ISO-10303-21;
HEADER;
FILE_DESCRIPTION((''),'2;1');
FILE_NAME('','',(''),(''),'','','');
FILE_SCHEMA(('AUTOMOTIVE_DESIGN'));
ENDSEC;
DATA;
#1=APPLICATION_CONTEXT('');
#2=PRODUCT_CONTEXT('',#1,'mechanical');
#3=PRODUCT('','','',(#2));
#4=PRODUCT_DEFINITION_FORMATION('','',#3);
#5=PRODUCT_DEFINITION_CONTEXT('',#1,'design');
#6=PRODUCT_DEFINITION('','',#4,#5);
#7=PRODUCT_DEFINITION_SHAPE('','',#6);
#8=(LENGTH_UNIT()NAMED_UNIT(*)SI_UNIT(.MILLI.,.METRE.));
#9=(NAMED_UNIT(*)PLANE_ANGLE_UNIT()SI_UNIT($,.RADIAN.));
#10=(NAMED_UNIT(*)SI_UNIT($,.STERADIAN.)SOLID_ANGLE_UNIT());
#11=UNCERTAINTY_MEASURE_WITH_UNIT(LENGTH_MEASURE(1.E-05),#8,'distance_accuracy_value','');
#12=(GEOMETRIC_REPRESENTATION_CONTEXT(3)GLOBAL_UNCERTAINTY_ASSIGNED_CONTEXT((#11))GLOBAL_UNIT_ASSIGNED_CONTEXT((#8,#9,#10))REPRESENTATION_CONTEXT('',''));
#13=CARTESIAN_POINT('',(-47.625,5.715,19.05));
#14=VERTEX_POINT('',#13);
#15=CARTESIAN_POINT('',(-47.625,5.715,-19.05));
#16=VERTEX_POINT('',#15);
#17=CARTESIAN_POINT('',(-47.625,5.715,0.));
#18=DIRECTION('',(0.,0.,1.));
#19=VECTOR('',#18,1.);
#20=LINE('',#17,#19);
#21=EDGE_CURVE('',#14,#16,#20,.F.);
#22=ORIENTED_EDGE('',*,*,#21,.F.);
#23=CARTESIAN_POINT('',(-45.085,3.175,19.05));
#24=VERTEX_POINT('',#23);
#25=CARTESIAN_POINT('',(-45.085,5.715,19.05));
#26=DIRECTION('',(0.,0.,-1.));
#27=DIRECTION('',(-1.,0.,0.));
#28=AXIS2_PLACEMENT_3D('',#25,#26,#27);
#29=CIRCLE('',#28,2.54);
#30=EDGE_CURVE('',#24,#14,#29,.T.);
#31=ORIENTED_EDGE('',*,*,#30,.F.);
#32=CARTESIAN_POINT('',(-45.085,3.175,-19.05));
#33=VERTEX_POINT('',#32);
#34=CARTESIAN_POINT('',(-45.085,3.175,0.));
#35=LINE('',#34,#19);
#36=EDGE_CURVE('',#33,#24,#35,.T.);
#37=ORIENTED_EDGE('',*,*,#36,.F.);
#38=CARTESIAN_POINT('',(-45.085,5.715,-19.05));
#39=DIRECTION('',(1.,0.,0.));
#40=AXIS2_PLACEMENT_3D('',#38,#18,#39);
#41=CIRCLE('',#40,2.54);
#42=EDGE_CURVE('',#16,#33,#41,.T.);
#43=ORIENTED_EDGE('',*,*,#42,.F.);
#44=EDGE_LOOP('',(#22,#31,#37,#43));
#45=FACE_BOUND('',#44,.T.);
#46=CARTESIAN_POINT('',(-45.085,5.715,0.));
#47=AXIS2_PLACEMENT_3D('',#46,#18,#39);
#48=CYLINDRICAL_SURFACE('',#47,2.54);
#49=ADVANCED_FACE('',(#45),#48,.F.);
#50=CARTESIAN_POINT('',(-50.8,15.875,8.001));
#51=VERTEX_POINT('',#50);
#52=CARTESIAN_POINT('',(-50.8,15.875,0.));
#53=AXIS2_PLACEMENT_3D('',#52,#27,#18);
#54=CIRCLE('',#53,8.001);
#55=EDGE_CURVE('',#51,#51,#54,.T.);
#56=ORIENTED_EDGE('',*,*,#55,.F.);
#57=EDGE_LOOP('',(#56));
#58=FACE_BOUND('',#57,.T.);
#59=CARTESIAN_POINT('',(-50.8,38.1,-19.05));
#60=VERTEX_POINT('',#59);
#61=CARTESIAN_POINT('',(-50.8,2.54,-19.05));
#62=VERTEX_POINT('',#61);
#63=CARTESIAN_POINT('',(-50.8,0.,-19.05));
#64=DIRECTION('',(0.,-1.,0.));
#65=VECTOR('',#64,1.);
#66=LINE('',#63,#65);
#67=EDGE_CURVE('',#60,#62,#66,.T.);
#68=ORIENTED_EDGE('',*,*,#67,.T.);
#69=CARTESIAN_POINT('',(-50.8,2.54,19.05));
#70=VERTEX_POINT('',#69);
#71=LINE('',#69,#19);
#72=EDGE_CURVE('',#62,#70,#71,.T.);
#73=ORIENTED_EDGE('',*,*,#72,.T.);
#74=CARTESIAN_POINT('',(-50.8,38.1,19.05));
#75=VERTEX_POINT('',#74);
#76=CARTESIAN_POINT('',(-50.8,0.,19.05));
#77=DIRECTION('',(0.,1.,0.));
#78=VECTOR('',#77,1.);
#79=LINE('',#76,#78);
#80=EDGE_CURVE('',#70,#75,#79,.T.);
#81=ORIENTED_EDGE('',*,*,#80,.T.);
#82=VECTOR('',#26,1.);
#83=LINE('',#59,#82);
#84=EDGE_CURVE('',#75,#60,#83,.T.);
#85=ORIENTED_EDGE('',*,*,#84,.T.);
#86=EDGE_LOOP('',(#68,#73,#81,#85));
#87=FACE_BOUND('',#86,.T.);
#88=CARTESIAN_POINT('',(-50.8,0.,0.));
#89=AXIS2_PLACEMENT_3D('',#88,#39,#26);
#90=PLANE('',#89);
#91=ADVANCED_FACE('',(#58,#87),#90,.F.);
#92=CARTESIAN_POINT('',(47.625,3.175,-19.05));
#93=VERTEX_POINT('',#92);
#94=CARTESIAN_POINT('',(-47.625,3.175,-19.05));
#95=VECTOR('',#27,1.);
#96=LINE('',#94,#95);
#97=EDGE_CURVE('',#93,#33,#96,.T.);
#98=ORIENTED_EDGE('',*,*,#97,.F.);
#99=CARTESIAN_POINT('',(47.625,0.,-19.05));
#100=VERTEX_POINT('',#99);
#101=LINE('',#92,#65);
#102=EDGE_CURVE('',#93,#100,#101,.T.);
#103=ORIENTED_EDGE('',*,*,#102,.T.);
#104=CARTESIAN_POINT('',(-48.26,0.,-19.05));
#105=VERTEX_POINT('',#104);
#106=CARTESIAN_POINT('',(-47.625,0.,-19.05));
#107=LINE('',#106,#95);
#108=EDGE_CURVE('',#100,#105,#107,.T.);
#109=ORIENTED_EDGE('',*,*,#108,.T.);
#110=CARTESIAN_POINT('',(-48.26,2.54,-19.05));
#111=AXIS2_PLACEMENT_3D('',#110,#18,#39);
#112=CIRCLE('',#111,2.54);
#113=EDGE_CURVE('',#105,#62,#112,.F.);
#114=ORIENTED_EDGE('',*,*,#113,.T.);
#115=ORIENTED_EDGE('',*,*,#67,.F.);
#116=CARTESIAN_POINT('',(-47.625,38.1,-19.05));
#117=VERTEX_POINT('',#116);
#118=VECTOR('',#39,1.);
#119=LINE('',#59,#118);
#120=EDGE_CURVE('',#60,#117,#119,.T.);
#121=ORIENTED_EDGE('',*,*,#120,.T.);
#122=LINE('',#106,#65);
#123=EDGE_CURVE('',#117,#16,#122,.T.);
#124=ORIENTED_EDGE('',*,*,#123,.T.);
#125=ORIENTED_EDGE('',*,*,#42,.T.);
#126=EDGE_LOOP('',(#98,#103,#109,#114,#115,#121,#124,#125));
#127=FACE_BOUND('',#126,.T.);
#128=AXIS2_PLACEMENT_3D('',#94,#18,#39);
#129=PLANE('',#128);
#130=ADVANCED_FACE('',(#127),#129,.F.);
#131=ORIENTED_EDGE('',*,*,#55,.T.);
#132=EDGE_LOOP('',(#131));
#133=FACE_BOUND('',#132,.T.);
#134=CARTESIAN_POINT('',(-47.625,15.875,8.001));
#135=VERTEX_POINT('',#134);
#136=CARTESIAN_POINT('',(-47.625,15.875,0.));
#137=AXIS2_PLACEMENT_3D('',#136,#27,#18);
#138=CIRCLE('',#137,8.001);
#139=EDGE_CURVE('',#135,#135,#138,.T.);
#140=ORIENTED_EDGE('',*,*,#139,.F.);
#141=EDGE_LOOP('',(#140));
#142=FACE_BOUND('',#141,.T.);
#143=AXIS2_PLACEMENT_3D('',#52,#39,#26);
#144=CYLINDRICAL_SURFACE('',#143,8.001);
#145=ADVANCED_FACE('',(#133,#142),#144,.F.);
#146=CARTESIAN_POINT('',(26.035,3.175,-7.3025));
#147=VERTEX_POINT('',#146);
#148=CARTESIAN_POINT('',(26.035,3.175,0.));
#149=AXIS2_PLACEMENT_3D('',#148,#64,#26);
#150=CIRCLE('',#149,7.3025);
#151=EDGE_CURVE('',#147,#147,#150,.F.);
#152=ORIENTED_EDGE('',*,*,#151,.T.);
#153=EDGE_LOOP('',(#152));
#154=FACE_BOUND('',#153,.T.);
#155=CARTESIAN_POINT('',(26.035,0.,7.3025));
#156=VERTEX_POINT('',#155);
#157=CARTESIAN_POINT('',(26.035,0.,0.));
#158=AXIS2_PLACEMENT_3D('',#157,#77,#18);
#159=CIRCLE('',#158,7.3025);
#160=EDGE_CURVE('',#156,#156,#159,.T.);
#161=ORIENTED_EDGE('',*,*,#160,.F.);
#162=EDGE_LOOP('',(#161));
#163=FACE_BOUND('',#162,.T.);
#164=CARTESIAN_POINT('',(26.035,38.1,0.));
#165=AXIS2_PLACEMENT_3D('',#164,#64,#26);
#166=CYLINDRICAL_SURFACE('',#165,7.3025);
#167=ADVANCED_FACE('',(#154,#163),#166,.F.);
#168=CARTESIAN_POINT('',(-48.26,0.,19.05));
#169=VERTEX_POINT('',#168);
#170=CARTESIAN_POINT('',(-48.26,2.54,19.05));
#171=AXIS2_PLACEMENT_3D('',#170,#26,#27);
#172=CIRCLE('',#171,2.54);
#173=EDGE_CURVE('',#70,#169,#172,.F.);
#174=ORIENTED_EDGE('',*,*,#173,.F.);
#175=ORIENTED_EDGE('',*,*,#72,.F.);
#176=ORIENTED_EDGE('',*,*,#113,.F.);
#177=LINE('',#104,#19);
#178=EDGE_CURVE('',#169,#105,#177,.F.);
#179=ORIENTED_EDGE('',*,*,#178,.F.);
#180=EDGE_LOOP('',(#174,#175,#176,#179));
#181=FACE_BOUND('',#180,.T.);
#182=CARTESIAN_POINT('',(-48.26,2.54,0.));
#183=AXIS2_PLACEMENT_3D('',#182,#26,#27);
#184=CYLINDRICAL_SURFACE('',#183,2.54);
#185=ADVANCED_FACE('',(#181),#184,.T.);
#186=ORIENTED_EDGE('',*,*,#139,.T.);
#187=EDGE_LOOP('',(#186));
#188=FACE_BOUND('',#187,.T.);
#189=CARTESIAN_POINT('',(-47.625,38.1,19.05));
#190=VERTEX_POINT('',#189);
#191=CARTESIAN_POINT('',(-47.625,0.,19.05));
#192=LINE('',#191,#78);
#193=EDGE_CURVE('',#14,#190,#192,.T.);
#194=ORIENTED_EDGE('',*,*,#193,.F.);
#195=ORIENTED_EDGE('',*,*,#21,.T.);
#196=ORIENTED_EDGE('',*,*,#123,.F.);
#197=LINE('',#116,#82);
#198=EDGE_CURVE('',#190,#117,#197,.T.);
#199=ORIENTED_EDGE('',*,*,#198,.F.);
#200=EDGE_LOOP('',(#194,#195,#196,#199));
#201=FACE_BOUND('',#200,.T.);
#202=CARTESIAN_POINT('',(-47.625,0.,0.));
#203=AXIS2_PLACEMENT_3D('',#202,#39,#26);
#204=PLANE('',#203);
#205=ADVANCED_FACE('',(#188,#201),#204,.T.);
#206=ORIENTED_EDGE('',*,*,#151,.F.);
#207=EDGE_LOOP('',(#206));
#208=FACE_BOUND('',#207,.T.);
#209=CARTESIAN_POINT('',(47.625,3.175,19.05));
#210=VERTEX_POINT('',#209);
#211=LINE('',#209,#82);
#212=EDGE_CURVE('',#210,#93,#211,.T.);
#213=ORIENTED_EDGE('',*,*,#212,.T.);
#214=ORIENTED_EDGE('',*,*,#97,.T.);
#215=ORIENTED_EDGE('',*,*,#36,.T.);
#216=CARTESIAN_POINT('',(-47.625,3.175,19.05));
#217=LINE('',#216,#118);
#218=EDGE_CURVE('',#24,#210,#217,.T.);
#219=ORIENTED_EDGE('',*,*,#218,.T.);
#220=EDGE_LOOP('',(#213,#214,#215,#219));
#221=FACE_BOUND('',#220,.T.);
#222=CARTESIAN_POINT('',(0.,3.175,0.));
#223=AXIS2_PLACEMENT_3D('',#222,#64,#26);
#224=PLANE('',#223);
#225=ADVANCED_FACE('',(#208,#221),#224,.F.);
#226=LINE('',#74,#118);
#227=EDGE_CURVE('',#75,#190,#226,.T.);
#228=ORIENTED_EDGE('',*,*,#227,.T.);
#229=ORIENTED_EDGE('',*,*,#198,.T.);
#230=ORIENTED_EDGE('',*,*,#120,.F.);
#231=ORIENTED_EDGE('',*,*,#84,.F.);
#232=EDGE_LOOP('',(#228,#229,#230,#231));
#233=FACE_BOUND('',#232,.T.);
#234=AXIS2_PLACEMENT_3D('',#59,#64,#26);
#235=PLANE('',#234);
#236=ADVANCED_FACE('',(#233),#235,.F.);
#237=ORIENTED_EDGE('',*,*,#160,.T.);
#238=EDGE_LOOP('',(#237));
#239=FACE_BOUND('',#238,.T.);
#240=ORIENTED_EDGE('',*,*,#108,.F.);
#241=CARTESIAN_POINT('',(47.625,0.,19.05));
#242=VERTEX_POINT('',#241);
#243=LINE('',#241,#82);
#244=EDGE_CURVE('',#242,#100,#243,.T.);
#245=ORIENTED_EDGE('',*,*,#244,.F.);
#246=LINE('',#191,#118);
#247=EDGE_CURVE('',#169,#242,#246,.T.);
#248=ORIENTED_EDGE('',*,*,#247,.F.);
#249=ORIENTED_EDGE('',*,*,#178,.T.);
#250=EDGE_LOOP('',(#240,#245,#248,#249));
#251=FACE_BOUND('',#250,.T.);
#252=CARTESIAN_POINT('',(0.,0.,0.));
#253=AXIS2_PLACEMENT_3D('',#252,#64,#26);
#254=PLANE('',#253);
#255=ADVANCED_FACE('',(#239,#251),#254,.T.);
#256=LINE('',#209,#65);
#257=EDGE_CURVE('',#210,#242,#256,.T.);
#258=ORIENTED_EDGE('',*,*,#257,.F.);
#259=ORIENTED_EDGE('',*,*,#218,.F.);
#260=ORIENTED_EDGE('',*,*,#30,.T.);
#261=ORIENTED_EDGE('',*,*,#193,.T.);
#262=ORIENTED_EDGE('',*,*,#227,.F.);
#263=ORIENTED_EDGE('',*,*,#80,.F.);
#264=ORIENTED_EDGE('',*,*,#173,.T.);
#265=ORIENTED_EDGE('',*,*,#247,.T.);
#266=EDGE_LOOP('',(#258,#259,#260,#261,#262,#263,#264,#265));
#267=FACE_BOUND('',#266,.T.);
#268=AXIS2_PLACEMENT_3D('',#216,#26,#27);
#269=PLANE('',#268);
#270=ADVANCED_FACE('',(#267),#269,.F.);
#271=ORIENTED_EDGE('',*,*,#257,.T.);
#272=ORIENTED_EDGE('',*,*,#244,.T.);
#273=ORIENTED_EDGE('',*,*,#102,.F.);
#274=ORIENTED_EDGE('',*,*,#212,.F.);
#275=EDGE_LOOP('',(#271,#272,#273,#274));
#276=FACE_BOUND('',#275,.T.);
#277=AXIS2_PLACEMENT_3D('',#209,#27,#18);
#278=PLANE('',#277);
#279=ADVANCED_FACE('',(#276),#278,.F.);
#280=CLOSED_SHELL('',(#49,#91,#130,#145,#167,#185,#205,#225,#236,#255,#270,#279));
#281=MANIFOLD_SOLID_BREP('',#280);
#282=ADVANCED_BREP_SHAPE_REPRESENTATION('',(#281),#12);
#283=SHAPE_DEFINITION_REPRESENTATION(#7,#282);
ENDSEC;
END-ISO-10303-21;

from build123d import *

# Parameters (mm, degrees)
SKETCH1_W           = 95.25
SKETCH1_H           = 38.1
BOSS_EXTRUDE1_DEPTH = 3.175
SKETCH2_W           = 38.1
SKETCH2_H           = 38.1
BOSS_EXTRUDE2_DEPTH = 3.175
SKETCH3_R           = 7.3025
CUT_EXTRUDE2_DEPTH  = 39.1
SKETCH4_R           = 8.001
CUT_EXTRUDE3_DEPTH  = 4.175
FILLET1_R           = 2.54


with BuildPart() as part:
    # Sketch1 → Boss-Extrude1 (new body)
    with BuildSketch(Plane(origin=(0, 0, 0), x_dir=(1, 0, 0), z_dir=(0, 1, 0))):
        Rectangle(SKETCH1_W, SKETCH1_H)
    extrude(amount=BOSS_EXTRUDE1_DEPTH)

    # Sketch2 → Boss-Extrude2 (add)
    with BuildSketch(Plane.ZY.offset(47.625)):
        with Locations((0, 19.05)):
            Rectangle(SKETCH2_W, SKETCH2_H)
    extrude(amount=BOSS_EXTRUDE2_DEPTH)

    # Sketch3 → Cut-Extrude2 (cut, through all)
    with BuildSketch(Plane(origin=(0, 0, 0), x_dir=(1, 0, 0), z_dir=(0, 1, 0))):
        with Locations((26.035, 0)):
            Circle(SKETCH3_R)
    extrude(amount=CUT_EXTRUDE2_DEPTH, mode=Mode.SUBTRACT)

    # Sketch4 → Cut-Extrude3 (cut, through all)
    with BuildSketch(Plane.ZY.offset(47.625)):
        with Locations((0, 15.875)):
            Circle(SKETCH4_R)
    extrude(amount=CUT_EXTRUDE3_DEPTH, mode=Mode.SUBTRACT)

    # Fillet1
    fillet1_edges = [part.edges().sort_by_distance(p)[0] for p in [
        (-47.625, 3.175, 0),
        (-50.8, 0, 0),
    ]]
    fillet(fillet1_edges, radius=FILLET1_R)


solid = part.part
